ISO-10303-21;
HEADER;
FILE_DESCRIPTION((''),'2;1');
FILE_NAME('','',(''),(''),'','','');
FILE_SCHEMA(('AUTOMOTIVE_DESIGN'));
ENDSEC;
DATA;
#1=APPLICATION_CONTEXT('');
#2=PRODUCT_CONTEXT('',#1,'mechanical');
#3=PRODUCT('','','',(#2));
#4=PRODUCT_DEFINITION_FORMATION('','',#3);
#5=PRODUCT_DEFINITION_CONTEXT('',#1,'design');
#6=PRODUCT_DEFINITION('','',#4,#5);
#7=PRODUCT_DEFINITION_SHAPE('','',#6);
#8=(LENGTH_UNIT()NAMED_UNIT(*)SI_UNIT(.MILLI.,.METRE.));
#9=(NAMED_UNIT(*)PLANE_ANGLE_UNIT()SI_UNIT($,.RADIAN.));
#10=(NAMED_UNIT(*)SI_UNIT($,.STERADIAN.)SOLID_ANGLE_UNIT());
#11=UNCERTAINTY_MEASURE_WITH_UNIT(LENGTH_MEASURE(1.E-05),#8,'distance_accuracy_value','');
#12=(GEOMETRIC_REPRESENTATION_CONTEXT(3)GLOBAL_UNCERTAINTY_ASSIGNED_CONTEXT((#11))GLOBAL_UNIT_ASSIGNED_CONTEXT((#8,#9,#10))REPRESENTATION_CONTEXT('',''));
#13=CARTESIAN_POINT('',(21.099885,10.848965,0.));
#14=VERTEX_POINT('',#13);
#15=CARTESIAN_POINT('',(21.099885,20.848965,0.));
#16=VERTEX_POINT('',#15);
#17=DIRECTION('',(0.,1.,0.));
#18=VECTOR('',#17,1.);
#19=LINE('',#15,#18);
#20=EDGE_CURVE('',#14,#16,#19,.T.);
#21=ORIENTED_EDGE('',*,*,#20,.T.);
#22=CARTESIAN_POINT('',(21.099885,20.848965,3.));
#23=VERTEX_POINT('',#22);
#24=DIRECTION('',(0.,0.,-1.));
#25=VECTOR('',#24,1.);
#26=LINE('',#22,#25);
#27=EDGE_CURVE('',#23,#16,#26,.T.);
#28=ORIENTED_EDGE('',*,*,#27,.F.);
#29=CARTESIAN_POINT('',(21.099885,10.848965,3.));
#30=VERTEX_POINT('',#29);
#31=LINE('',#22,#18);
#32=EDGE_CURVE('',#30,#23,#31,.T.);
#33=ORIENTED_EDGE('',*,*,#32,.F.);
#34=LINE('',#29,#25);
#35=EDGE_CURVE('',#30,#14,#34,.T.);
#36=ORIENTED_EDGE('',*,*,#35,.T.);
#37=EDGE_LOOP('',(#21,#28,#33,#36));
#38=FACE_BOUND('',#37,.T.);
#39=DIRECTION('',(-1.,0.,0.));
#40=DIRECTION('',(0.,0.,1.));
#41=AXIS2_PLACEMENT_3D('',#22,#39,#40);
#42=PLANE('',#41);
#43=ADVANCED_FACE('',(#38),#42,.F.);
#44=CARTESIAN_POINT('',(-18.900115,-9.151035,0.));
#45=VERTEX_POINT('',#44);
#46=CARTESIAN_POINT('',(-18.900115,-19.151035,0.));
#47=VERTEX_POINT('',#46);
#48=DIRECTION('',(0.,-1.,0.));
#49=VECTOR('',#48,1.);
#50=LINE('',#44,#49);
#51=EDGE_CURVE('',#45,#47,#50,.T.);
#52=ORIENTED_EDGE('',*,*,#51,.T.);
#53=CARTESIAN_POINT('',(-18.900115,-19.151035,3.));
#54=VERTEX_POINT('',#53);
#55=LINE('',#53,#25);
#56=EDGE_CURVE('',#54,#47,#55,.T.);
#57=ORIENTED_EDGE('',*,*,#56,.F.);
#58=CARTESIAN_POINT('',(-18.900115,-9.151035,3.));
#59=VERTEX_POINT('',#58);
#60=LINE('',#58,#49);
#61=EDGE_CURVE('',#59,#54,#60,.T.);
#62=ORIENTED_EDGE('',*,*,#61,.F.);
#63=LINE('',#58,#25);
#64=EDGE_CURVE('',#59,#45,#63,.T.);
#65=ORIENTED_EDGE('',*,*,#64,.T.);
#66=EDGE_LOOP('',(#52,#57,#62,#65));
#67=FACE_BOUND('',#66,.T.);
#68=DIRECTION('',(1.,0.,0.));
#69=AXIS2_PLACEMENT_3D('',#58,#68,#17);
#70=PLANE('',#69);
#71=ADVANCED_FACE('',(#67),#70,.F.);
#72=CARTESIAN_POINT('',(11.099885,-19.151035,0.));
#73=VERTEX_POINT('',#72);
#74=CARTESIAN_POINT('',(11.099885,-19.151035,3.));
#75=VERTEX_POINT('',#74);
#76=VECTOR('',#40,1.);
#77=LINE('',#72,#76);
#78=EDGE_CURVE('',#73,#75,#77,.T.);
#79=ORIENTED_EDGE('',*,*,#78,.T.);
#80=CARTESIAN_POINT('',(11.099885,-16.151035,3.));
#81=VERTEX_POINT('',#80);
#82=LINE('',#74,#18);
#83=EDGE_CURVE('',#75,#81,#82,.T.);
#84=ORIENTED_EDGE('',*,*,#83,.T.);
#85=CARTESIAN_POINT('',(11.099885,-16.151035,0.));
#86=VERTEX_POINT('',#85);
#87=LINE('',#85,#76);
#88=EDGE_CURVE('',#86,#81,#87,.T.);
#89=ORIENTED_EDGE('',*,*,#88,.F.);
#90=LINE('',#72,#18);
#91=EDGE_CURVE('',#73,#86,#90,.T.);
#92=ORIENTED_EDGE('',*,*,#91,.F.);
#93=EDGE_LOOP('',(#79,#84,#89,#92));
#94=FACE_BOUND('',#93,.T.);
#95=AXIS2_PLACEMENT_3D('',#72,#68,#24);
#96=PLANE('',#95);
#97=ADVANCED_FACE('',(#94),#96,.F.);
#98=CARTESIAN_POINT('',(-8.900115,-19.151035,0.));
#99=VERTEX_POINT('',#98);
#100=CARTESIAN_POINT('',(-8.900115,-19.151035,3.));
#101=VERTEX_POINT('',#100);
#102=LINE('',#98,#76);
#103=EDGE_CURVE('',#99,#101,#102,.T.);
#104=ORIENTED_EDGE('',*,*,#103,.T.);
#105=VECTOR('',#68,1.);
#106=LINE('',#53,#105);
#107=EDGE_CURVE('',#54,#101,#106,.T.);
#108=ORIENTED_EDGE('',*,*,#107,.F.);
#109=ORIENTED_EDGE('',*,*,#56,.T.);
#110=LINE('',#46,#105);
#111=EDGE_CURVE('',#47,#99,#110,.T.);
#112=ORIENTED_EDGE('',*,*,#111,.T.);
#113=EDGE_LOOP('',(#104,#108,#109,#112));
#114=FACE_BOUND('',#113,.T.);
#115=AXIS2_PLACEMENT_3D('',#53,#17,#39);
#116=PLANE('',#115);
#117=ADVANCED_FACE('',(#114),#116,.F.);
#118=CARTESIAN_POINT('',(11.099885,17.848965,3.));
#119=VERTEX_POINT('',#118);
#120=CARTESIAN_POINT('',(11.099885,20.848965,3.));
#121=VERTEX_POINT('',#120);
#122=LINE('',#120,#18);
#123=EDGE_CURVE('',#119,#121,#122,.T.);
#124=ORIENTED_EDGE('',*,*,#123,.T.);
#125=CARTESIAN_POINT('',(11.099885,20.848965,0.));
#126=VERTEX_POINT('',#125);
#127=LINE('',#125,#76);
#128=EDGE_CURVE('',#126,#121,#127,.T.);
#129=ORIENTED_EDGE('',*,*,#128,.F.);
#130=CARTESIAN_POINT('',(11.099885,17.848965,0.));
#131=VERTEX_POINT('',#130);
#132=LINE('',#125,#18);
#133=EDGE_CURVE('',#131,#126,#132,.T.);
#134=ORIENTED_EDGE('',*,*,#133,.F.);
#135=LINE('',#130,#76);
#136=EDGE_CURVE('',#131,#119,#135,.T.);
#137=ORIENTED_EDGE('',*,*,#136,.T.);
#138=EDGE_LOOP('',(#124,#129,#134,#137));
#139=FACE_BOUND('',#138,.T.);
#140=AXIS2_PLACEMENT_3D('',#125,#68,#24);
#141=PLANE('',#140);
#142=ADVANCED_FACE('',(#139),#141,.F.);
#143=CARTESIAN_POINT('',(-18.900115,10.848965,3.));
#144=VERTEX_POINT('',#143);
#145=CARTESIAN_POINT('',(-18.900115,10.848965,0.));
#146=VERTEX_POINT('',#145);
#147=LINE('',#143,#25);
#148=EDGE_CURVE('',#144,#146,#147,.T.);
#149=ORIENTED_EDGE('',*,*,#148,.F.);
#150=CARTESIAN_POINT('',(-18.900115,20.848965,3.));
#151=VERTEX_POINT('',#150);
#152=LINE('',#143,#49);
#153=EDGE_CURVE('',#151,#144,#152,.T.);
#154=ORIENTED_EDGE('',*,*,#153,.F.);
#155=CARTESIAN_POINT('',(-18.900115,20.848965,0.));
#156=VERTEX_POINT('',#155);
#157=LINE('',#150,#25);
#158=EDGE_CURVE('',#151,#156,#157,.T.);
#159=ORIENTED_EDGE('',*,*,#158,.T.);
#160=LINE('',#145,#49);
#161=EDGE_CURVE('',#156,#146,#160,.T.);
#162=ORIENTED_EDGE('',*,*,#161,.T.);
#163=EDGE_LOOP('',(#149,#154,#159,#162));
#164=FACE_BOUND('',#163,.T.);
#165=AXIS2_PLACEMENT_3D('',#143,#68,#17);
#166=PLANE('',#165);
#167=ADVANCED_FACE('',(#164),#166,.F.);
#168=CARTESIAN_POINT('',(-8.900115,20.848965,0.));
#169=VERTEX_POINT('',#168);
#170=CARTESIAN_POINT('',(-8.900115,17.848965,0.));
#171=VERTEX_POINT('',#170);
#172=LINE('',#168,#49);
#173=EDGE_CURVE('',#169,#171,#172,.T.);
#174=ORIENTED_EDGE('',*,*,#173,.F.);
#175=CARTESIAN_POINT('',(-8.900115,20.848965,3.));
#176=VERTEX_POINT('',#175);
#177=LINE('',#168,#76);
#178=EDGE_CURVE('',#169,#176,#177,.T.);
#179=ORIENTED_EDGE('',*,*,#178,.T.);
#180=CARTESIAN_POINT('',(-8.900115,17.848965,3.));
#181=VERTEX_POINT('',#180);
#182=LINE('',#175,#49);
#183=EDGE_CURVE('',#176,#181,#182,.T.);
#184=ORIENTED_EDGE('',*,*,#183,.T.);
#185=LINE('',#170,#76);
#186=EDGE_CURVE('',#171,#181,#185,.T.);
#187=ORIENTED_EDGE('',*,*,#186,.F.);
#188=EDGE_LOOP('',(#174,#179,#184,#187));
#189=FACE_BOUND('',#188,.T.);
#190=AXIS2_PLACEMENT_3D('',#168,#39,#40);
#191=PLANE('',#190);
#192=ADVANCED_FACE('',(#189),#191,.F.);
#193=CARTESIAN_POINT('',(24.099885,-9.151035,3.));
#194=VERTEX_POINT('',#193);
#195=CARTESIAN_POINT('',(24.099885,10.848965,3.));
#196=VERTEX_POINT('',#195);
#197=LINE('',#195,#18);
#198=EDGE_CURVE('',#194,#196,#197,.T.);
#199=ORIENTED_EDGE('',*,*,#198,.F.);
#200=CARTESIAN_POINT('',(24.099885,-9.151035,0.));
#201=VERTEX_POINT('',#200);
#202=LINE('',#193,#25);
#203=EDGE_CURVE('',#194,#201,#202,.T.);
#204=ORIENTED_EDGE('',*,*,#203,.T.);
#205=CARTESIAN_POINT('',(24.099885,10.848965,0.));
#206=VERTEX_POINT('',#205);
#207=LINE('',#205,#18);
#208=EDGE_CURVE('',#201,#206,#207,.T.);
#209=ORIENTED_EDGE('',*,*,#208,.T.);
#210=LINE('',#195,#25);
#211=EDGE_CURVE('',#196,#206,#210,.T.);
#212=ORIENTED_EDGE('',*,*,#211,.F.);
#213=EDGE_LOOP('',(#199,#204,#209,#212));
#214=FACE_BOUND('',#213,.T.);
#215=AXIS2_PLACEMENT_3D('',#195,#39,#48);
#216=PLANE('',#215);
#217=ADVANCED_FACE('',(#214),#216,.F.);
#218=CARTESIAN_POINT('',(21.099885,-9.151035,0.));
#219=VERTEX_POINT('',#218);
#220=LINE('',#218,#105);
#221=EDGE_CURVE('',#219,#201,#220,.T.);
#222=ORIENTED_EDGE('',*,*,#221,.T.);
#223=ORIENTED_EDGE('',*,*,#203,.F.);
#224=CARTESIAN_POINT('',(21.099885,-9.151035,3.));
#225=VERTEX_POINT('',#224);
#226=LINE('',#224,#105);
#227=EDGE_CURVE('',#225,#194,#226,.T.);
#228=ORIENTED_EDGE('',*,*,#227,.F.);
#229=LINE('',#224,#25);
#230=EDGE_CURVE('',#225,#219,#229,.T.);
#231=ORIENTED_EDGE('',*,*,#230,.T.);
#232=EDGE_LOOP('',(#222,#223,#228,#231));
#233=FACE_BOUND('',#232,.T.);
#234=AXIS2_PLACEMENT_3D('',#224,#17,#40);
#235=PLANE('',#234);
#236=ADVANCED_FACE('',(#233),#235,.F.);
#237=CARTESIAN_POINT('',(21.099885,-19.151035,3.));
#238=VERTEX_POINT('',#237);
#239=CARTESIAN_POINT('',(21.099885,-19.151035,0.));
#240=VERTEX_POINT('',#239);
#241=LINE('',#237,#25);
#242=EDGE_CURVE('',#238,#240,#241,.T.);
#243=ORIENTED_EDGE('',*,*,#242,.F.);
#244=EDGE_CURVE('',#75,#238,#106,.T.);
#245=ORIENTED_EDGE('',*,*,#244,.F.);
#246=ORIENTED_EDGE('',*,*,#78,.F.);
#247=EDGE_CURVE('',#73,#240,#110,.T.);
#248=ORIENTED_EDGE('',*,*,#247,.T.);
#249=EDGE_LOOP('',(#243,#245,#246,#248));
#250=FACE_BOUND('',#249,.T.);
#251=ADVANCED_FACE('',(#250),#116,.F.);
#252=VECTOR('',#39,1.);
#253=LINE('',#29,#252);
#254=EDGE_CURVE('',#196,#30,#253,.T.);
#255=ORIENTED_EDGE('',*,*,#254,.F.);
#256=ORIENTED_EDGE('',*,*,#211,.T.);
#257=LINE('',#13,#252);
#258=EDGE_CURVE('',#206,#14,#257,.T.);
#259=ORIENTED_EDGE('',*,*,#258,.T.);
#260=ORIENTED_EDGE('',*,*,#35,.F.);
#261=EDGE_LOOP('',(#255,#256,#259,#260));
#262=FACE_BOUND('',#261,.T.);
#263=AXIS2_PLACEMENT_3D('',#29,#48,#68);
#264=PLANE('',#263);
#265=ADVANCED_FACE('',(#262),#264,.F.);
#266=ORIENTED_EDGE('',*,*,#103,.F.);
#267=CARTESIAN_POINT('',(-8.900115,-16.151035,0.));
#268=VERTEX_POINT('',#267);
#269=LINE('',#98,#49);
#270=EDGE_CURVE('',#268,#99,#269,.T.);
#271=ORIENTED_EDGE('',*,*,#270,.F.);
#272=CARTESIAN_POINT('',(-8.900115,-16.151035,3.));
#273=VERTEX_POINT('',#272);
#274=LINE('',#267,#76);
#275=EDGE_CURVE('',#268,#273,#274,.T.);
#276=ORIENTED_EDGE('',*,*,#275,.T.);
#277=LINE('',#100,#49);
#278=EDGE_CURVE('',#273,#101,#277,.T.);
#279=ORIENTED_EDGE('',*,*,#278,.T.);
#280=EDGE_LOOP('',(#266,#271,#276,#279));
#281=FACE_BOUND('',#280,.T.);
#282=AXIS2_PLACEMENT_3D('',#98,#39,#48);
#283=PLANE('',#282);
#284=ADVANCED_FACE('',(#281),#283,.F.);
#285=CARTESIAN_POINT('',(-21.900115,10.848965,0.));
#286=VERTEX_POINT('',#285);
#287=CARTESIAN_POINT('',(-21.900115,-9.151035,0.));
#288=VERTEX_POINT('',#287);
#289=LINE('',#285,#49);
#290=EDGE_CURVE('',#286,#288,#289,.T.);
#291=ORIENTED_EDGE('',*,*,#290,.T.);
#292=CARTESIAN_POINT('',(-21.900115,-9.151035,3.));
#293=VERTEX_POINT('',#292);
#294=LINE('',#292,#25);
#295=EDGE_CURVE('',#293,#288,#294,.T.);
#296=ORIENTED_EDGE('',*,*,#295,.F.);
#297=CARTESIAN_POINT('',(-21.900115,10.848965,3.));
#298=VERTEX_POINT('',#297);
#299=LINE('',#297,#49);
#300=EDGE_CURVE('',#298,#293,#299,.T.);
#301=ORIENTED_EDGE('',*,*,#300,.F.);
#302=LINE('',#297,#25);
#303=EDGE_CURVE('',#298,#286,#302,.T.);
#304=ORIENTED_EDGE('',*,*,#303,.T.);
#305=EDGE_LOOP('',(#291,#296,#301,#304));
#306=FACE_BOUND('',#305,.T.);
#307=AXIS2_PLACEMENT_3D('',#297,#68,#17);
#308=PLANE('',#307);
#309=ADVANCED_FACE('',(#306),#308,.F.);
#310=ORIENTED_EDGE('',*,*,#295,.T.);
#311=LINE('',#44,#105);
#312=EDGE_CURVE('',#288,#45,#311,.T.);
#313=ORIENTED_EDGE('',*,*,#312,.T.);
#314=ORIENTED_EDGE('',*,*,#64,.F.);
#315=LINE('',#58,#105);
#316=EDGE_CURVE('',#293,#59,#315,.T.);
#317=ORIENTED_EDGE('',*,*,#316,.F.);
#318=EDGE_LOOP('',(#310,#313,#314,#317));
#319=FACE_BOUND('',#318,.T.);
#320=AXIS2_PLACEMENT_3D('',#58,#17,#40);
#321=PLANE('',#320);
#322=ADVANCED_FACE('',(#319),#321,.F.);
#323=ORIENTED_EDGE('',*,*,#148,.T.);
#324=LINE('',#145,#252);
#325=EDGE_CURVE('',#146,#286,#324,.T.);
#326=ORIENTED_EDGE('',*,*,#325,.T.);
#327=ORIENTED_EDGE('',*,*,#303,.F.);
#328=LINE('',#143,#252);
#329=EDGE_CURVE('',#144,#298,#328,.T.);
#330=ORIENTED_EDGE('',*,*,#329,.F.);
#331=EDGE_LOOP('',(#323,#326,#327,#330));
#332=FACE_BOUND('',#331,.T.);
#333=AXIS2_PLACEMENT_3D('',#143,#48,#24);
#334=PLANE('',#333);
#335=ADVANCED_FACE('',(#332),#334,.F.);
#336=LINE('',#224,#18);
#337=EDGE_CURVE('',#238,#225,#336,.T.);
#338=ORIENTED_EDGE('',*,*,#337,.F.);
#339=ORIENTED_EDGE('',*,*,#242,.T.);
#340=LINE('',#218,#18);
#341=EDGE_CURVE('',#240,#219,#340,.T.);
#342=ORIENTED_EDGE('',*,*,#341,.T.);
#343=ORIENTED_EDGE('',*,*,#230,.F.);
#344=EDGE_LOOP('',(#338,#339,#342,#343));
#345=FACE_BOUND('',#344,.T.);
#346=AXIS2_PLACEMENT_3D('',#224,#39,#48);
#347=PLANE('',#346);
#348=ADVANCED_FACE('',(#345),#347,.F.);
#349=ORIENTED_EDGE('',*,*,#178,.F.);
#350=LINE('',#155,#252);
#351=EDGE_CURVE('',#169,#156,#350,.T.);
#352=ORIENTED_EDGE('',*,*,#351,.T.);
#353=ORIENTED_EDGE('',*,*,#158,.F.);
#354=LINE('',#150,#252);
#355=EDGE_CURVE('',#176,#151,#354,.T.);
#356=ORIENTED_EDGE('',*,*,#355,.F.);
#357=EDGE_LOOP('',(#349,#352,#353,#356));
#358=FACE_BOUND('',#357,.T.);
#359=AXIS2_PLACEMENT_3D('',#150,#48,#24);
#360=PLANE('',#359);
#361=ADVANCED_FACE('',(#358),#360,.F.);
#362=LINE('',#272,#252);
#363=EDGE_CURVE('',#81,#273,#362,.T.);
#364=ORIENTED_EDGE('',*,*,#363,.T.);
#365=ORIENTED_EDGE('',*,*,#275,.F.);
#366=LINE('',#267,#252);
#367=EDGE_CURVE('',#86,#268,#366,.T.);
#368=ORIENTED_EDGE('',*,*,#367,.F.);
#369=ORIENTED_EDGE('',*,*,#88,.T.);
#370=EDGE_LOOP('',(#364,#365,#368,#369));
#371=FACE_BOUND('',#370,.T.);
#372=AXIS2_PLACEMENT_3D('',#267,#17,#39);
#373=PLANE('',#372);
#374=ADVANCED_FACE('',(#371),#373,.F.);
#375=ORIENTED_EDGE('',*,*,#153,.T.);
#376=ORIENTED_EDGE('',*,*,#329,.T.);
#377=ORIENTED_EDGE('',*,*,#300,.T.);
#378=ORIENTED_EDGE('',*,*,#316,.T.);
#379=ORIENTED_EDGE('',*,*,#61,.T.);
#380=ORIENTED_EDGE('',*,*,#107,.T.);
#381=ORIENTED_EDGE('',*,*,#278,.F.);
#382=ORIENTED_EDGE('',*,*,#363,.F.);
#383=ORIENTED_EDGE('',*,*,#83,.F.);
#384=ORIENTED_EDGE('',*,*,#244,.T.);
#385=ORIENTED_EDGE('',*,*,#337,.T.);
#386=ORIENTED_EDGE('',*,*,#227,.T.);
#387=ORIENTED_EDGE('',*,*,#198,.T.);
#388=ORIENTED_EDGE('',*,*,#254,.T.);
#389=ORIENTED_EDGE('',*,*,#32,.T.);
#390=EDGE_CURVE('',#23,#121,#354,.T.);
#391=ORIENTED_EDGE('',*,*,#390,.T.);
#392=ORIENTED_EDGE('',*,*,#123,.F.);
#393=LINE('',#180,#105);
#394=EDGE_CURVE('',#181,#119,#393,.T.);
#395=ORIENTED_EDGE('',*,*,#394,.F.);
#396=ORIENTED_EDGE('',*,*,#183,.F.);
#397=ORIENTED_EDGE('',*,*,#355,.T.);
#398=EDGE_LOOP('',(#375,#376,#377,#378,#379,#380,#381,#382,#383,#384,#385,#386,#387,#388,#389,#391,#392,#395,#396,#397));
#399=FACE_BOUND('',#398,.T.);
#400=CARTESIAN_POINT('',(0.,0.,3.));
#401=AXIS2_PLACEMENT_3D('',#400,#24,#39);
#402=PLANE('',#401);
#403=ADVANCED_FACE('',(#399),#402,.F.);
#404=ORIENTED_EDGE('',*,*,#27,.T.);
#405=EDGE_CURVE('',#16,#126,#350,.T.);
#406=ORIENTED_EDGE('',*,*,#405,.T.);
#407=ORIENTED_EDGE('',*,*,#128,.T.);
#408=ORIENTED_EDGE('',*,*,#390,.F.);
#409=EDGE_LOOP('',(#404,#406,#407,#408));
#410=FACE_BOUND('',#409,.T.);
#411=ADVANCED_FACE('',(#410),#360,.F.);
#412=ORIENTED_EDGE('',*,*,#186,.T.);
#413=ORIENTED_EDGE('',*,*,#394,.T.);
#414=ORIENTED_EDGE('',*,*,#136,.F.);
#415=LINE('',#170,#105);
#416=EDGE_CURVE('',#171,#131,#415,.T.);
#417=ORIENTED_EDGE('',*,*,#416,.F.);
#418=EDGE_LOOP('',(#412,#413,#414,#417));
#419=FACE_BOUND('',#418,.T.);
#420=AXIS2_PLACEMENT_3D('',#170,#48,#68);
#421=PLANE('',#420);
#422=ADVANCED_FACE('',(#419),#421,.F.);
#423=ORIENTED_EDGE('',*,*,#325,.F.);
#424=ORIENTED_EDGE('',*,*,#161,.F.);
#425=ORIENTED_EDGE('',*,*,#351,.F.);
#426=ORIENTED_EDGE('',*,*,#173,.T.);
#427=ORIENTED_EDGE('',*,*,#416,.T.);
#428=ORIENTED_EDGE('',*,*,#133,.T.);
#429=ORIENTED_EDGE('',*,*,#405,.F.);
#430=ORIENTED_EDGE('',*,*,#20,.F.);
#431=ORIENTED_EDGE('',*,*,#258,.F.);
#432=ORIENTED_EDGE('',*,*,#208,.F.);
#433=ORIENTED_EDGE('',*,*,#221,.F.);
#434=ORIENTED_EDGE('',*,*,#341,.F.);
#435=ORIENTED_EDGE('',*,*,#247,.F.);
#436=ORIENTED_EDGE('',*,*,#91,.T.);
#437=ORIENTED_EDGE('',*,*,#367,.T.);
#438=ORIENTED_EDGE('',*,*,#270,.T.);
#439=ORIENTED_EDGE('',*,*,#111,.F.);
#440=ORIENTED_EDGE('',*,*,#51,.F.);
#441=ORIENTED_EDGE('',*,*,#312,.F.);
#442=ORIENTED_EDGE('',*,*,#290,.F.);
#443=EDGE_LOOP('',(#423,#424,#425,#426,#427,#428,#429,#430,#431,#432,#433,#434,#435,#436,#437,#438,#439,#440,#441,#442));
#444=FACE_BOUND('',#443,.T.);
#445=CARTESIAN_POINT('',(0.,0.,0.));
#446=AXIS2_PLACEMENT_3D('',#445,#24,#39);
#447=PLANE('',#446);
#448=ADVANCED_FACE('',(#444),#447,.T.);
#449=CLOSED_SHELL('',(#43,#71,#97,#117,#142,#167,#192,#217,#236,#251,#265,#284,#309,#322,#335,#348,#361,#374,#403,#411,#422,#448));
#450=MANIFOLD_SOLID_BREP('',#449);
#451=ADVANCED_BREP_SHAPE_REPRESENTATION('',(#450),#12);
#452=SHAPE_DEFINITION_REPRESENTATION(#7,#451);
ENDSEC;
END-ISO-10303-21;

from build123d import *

# Parameters (mm, degrees)
SALIENTE_EXTRUIR1_DEPTH = 3
CROQUIS6_W              = 20
CROQUIS6_H              = 3
CORTAR_EXTRUIR2_DEPTH   = 3


with BuildPart() as part:
    # Croquis1 → Saliente-Extruir1 (new body)
    with BuildSketch(Plane.XY):
        Polygon((-18.90011512, 20.848965056), (21.09988488, 20.848965056), (21.09988488, 10.848965056), (24.09988488, 10.848965056), (24.09988488, -9.151034944), (21.09988488, -9.151034944), (21.09988488, -19.151034944), (-18.90011512, -19.151034944), (-18.90011512, -9.151034944), (-21.90011512, -9.151034944), (-21.90011512, 10.848965056), (-18.90011512, 10.848965056), align=None)
    extrude(amount=SALIENTE_EXTRUIR1_DEPTH)

    # Croquis6 → Cortar-Extruir2 (cut)
    with BuildSketch(Plane.XY.offset(3)):
        with Locations((1.09988488, 19.348965056)):
            Rectangle(CROQUIS6_W, CROQUIS6_H)
        with Locations((1.09988488, -17.651034944)):
            Rectangle(CROQUIS6_W, CROQUIS6_H)
    extrude(amount=-CORTAR_EXTRUIR2_DEPTH, mode=Mode.SUBTRACT)


solid = part.part
